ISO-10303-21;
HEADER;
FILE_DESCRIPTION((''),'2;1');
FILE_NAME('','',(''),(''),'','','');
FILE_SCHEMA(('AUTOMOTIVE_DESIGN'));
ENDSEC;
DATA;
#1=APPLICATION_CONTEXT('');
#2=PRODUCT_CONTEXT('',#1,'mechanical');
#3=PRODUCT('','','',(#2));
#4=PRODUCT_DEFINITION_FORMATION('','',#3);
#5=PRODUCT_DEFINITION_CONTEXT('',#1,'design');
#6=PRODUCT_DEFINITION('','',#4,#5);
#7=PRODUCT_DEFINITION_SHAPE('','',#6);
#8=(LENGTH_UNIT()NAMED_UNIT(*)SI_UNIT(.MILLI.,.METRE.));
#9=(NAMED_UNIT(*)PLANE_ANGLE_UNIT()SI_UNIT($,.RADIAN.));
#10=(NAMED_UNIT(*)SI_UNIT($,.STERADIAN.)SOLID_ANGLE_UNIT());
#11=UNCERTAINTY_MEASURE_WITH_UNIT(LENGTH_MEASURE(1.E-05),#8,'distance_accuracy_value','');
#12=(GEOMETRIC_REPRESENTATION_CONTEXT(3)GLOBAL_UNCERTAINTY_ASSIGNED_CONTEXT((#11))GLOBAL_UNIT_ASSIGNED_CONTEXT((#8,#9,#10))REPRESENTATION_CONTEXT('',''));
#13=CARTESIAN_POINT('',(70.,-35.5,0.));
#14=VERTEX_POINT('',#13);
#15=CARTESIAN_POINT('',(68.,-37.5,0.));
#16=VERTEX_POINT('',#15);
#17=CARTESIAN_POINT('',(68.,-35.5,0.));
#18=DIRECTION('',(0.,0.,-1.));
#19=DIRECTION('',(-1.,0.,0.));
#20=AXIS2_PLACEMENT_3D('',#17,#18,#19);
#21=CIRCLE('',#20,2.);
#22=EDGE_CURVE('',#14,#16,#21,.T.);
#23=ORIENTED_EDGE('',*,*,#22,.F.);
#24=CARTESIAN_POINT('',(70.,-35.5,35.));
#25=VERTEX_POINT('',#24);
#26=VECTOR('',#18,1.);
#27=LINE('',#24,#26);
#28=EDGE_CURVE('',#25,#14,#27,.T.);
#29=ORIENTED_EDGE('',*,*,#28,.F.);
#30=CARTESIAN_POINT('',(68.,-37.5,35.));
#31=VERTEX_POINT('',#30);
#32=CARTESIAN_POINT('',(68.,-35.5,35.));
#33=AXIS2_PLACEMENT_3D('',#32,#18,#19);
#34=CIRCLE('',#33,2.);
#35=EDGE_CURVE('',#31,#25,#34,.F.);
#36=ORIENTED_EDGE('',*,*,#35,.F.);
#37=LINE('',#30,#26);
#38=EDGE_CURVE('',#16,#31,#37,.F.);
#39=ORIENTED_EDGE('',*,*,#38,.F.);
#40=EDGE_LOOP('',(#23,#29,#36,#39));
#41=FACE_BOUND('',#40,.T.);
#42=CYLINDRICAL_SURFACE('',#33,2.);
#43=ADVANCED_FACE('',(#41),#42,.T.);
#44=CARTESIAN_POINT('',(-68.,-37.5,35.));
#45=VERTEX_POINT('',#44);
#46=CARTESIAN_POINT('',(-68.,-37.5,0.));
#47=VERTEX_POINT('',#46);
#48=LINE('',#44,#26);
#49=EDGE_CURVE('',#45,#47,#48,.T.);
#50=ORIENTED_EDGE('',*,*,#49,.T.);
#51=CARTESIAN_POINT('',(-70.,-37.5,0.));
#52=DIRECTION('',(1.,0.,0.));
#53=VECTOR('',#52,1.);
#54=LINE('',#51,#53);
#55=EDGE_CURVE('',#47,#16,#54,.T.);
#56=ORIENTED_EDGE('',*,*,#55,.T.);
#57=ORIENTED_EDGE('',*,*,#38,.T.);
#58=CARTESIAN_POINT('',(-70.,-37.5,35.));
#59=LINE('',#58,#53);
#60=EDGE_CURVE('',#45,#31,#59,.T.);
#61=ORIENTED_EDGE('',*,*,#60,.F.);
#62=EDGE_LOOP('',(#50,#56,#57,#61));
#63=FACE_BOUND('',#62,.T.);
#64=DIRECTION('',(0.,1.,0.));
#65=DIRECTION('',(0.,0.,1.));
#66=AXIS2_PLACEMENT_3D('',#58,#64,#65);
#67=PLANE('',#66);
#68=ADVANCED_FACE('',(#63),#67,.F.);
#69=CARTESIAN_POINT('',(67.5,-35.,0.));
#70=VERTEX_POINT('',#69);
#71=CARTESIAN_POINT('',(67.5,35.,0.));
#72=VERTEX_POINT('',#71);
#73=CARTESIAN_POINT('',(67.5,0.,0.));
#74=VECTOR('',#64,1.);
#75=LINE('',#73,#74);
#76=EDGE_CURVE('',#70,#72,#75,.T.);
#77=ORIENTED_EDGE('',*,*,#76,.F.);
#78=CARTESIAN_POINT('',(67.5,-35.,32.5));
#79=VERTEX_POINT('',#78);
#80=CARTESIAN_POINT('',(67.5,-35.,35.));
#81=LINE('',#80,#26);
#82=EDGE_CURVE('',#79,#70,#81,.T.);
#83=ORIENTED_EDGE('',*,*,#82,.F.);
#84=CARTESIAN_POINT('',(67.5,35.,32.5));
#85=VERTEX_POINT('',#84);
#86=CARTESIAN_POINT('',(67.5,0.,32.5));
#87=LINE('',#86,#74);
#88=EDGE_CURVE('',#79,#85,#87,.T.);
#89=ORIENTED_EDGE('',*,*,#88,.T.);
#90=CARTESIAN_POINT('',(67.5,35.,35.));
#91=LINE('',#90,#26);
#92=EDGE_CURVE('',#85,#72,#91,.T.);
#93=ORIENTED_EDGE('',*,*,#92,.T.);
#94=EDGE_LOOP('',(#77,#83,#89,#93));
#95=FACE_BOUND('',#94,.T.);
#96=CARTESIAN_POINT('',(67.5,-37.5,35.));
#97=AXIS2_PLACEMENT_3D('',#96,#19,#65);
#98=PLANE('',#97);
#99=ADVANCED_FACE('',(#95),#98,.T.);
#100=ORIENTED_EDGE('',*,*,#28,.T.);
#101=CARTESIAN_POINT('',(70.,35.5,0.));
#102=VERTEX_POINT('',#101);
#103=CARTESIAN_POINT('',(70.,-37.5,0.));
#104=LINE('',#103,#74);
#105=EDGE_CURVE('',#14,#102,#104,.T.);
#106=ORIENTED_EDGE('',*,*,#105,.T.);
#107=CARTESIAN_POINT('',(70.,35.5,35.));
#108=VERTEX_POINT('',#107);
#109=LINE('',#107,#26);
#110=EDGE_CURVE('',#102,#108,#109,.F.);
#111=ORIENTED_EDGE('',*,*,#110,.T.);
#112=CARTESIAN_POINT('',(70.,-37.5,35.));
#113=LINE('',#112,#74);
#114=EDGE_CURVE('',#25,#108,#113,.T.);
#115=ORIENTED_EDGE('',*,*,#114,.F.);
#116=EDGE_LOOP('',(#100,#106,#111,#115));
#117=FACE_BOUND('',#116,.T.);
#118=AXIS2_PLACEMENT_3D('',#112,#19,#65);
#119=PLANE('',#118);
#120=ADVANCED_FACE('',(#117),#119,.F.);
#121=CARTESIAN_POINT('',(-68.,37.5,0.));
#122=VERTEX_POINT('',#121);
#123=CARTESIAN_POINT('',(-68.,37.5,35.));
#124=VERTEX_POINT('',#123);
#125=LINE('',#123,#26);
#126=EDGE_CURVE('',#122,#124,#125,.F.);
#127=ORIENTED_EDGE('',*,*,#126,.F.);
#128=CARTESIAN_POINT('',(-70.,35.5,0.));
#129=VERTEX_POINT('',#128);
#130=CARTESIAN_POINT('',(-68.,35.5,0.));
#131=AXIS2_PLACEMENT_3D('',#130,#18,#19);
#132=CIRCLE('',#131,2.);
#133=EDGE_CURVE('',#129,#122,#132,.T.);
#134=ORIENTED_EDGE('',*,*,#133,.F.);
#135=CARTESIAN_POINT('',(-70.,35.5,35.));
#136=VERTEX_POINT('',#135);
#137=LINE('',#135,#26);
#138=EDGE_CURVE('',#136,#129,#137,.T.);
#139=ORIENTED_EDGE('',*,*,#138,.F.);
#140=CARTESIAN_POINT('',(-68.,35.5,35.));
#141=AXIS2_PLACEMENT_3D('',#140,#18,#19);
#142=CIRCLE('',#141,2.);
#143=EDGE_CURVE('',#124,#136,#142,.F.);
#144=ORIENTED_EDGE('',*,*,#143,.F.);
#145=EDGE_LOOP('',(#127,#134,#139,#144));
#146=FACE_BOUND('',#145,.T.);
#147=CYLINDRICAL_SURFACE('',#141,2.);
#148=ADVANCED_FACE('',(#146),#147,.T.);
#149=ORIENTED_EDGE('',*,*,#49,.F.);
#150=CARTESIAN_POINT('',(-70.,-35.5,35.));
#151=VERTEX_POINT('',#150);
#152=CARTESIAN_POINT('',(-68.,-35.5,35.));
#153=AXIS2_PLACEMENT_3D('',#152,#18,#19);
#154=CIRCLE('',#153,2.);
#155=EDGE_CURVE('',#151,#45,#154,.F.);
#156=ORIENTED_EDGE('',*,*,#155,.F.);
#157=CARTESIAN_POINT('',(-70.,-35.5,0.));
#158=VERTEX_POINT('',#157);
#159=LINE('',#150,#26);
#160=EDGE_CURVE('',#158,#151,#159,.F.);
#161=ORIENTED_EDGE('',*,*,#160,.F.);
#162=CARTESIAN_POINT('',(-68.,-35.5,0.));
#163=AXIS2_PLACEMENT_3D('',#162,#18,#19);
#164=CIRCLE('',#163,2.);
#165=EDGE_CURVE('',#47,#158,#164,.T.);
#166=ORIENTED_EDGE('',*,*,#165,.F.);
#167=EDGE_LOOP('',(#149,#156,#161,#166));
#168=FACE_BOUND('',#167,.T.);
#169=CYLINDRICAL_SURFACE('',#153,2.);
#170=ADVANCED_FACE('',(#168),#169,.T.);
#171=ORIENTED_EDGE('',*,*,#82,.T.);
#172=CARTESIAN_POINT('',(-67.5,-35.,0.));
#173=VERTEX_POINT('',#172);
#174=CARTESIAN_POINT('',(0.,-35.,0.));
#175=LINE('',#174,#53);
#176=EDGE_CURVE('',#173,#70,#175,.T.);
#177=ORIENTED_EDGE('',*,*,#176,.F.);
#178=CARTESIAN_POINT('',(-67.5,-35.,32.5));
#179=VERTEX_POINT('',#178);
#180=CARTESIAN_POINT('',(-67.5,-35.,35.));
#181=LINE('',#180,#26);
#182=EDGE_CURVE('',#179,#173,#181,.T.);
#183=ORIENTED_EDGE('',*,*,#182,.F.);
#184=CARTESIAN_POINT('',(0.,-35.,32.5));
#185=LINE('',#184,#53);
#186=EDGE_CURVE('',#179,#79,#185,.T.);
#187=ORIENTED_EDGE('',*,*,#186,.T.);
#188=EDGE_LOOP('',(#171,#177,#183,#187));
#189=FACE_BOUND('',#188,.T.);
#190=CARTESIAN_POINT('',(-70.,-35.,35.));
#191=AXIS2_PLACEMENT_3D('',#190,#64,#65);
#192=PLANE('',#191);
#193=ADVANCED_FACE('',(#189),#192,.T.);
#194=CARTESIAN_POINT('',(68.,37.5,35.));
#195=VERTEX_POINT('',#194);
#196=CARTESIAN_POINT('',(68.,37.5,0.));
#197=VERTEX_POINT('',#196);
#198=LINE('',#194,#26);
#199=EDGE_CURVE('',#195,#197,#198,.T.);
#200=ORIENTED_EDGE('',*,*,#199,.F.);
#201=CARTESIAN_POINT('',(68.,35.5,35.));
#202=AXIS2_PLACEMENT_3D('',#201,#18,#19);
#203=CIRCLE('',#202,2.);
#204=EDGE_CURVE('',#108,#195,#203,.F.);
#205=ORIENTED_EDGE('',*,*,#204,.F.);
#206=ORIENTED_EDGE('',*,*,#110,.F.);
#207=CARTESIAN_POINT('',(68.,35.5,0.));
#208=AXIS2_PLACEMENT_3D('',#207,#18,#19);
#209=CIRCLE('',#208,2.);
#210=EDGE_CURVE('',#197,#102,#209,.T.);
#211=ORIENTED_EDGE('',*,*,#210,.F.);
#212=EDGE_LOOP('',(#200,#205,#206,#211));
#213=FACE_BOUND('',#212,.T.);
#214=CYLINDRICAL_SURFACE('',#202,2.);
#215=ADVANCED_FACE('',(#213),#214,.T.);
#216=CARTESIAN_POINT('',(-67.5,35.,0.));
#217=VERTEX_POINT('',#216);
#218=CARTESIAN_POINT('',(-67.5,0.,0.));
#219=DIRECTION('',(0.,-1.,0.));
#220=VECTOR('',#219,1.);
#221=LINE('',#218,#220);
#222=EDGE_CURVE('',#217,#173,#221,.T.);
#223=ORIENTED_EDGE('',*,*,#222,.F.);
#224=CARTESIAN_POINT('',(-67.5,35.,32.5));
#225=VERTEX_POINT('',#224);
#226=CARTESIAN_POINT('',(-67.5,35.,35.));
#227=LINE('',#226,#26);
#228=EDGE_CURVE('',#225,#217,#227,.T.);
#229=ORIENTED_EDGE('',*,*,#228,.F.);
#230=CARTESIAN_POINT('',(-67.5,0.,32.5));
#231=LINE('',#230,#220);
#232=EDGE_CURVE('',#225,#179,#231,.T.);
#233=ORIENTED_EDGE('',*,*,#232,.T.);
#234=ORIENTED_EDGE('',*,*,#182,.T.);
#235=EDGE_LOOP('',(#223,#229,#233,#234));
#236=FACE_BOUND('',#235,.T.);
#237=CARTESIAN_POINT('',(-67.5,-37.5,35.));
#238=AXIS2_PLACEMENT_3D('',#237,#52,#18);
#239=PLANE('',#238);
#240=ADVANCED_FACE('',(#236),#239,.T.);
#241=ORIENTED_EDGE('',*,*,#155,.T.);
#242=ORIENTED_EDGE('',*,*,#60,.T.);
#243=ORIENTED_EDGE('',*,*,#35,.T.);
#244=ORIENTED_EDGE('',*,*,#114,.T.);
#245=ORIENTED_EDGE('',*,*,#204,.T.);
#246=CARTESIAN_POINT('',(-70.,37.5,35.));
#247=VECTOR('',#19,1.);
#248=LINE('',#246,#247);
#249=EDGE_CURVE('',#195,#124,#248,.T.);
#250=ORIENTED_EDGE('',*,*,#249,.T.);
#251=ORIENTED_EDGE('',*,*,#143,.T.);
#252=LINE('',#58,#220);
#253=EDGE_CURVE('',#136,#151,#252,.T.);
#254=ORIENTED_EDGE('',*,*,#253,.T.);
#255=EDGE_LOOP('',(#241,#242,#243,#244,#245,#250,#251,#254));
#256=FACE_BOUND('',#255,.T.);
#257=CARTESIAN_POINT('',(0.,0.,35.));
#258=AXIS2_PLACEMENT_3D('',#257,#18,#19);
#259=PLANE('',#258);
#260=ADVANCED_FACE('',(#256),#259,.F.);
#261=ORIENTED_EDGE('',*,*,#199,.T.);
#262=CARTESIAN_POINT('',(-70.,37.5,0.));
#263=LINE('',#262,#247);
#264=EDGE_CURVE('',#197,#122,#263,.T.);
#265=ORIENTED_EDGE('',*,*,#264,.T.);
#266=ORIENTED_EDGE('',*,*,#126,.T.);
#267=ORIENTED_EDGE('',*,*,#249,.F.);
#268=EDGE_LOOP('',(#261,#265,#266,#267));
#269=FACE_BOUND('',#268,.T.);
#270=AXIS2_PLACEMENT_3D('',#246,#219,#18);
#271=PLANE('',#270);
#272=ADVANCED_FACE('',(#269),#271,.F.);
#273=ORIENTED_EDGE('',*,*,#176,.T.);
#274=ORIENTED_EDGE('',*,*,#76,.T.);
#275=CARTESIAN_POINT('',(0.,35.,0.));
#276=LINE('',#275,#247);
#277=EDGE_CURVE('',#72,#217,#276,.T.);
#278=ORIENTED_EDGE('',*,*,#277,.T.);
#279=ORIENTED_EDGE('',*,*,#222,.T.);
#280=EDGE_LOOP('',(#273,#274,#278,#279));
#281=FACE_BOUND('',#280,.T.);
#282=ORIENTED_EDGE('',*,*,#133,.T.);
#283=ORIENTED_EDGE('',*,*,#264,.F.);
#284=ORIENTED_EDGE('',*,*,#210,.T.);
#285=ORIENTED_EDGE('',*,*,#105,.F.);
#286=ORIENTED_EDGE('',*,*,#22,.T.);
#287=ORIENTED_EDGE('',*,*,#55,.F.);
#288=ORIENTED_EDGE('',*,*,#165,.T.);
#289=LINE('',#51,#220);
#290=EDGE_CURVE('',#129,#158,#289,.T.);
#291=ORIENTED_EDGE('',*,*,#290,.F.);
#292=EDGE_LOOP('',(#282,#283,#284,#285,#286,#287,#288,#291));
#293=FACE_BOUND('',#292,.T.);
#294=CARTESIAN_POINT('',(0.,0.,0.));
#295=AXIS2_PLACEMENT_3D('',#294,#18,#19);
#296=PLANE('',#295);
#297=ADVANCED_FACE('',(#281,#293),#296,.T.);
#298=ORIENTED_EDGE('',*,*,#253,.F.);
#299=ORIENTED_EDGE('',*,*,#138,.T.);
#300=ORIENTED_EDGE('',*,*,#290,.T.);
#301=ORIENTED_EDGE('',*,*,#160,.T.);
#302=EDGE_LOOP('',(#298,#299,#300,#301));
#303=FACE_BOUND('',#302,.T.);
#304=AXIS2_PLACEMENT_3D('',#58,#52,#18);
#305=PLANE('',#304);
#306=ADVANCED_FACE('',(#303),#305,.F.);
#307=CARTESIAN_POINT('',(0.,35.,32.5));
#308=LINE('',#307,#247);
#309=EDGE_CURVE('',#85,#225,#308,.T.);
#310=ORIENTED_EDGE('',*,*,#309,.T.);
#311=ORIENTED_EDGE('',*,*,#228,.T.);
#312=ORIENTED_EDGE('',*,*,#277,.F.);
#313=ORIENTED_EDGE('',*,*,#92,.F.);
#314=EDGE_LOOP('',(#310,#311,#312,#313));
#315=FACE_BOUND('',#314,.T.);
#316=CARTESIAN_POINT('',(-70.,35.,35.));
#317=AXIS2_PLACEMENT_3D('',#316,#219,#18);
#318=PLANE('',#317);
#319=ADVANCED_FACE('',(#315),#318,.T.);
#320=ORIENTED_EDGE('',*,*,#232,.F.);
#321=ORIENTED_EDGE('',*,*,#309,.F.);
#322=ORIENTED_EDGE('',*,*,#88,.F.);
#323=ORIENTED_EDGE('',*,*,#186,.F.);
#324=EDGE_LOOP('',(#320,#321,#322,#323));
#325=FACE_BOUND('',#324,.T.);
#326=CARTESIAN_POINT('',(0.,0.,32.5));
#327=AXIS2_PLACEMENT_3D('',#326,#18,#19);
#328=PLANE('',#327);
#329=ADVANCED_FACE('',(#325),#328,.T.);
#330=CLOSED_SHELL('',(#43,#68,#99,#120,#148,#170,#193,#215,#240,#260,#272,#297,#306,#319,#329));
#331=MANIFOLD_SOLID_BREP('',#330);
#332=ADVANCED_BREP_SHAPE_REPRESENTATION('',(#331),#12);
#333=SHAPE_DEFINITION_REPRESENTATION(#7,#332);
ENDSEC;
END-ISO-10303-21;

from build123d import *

# Parameters (mm, degrees)
SKETCH1_W           = 140
SKETCH1_H           = 75
BOSS_EXTRUDE1_DEPTH = 35
SHELL1_T            = -2.5
FILLET1_R           = 2


with BuildPart() as part:
    # Sketch1 → Boss-Extrude1 (new body)
    with BuildSketch(Plane.XY):
        Rectangle(SKETCH1_W, SKETCH1_H)
    extrude(amount=BOSS_EXTRUDE1_DEPTH)

    # Shell1
    shell1_openings = [part.faces().sort_by_distance(p)[0] for p in [
        (0, 0, 0),
    ]]
    offset(amount=SHELL1_T, openings=shell1_openings, kind=Kind.INTERSECTION)

    # Fillet1
    fillet1_edges = [part.edges().sort_by_distance(p)[0] for p in [
        (70, -37.5, 17.5),
        (-70, -37.5, 17.5),
        (-70, 37.5, 17.5),
        (70, 37.5, 17.5),
    ]]
    fillet(fillet1_edges, radius=FILLET1_R)


solid = part.part
